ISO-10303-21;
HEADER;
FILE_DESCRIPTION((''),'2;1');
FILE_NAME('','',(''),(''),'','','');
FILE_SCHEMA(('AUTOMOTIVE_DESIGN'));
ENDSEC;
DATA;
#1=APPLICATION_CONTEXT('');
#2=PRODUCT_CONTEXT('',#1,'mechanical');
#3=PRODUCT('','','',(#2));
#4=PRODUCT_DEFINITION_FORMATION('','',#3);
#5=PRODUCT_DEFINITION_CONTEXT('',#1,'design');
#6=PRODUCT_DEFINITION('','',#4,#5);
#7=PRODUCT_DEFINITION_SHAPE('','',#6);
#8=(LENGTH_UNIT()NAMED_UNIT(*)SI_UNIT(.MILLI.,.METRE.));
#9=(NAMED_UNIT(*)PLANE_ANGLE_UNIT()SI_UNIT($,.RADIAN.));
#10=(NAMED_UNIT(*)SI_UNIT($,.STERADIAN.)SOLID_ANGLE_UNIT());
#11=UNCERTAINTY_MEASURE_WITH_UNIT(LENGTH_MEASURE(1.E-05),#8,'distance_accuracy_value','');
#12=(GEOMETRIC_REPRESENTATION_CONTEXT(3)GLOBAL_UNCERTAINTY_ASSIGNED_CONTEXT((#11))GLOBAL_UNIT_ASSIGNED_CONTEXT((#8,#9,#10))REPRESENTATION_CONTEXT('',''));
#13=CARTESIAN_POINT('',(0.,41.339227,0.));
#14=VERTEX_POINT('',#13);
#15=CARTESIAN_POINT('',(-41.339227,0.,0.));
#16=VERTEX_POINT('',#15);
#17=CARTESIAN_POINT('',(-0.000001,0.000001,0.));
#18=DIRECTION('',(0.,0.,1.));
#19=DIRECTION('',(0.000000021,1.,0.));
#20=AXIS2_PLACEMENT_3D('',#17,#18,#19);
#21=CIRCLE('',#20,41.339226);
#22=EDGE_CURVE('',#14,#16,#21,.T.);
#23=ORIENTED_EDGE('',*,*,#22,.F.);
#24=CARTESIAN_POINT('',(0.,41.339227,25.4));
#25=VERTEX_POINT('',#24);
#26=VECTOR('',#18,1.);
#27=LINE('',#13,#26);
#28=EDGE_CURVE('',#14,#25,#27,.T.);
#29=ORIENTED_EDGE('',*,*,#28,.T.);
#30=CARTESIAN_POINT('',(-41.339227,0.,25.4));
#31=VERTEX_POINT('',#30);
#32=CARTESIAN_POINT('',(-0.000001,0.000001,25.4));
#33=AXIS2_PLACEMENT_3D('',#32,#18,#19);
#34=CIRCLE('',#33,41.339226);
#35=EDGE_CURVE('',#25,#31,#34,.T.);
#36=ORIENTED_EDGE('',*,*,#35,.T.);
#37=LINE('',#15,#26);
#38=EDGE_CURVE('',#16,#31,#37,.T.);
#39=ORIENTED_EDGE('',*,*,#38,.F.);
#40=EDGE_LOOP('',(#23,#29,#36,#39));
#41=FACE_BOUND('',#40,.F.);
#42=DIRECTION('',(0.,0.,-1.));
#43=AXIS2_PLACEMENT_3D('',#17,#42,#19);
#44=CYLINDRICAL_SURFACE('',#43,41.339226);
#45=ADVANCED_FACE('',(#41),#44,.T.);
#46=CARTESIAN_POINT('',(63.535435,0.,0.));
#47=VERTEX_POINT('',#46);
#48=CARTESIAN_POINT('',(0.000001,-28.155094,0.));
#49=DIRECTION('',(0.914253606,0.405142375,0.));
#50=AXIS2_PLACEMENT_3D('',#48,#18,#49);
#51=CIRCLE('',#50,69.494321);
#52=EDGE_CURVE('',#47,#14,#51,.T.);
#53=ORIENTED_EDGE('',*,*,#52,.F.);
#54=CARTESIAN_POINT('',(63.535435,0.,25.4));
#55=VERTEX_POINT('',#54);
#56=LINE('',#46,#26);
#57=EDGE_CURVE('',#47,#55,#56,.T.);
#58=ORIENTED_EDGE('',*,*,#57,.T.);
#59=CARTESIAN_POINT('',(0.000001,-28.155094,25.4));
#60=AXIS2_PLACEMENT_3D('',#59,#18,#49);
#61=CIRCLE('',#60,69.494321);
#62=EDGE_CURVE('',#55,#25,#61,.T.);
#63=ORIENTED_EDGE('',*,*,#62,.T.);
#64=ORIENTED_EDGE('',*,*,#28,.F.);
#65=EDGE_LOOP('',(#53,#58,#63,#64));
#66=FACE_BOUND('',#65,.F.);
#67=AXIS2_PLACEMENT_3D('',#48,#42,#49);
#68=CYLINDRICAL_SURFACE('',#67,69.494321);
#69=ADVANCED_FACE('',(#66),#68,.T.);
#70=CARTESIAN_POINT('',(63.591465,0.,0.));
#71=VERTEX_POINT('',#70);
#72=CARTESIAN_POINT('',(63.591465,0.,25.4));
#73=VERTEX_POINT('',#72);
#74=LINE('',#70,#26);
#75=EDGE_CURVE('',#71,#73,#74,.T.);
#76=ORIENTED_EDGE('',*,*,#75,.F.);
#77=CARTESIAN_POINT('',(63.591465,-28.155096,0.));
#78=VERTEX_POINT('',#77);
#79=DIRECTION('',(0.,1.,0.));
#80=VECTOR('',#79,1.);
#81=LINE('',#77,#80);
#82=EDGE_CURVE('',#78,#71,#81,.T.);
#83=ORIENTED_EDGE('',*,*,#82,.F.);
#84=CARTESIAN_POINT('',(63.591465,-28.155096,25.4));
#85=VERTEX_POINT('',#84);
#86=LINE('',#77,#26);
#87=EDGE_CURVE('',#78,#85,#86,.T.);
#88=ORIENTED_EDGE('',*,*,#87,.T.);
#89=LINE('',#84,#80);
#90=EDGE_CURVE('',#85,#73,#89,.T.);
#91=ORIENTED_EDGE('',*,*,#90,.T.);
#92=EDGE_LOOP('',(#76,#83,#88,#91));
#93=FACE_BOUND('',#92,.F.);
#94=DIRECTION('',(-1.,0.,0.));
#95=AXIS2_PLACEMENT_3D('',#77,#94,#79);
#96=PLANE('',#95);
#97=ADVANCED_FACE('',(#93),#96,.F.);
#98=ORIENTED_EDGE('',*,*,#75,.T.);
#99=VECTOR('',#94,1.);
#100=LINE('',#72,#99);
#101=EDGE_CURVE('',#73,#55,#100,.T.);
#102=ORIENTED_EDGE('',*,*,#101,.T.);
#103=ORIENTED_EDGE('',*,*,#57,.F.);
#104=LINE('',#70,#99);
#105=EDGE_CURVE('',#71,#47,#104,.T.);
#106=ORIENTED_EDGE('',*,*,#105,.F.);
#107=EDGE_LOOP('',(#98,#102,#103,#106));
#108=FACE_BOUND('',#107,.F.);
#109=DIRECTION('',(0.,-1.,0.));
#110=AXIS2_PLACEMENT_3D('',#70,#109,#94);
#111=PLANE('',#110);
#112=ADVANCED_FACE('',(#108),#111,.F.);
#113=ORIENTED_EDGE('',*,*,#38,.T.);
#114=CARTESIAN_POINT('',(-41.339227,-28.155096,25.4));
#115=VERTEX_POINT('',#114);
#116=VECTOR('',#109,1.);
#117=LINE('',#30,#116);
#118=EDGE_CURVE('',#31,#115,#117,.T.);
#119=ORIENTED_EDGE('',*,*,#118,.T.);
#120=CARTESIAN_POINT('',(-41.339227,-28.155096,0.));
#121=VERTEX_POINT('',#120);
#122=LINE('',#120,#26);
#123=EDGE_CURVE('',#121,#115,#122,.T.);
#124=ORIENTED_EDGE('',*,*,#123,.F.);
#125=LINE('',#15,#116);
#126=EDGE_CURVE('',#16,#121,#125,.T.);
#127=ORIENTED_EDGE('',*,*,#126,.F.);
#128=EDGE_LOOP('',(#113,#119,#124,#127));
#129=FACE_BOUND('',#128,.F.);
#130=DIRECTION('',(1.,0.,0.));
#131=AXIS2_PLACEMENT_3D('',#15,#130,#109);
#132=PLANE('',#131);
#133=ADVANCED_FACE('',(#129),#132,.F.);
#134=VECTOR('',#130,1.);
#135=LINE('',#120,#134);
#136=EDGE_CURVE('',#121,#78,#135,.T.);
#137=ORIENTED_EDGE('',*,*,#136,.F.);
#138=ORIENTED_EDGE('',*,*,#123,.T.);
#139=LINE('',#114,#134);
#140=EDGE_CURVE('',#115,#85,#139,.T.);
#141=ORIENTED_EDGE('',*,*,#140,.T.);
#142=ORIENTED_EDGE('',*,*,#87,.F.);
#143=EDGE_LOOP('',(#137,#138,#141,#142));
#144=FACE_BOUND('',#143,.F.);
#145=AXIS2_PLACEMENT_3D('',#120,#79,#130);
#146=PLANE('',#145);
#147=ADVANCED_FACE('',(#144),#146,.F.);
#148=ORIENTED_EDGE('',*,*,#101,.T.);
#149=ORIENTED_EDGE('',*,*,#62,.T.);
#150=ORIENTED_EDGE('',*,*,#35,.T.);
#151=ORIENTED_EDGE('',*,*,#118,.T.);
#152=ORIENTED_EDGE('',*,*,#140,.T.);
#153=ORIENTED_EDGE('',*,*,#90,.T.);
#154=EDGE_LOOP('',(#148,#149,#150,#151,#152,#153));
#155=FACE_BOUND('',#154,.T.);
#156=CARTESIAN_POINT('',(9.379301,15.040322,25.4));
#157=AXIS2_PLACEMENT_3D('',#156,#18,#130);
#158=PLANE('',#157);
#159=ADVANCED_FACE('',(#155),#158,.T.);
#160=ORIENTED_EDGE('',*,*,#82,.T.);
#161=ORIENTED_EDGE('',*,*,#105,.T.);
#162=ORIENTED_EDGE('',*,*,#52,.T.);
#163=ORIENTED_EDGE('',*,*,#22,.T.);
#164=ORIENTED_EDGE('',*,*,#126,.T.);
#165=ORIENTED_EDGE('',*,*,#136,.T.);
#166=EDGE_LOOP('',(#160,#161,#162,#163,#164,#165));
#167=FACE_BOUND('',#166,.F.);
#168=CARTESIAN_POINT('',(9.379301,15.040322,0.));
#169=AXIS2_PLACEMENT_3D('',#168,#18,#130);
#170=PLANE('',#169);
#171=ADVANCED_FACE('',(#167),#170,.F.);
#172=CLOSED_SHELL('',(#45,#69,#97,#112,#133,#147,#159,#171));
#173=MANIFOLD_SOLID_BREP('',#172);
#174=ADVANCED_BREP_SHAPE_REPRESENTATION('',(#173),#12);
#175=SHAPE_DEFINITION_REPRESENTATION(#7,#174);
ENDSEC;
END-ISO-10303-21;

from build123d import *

# Parameters (mm, degrees)
F1_DEPTH = 25.4


with BuildPart() as f1:
    # F0 (on Top) → F1 (new body)
    with BuildSketch(Plane.XY):
        with BuildLine():
            ThreePointArc((0, 41.339227), (-29.231248, 29.231248), (-41.339227, 0))
            Line((-41.339227, 0), (63.535435, 0))
            ThreePointArc((63.535435, 0), (37.900143, 30.094712), (0, 41.339227))
        make_face()
        Polygon((63.535435, 0), (-41.339227, 0), (-41.339227, -28.155096), (63.591465, -28.155096), (63.591465, 0), align=None)
    extrude(amount=F1_DEPTH)


solid = f1.part
